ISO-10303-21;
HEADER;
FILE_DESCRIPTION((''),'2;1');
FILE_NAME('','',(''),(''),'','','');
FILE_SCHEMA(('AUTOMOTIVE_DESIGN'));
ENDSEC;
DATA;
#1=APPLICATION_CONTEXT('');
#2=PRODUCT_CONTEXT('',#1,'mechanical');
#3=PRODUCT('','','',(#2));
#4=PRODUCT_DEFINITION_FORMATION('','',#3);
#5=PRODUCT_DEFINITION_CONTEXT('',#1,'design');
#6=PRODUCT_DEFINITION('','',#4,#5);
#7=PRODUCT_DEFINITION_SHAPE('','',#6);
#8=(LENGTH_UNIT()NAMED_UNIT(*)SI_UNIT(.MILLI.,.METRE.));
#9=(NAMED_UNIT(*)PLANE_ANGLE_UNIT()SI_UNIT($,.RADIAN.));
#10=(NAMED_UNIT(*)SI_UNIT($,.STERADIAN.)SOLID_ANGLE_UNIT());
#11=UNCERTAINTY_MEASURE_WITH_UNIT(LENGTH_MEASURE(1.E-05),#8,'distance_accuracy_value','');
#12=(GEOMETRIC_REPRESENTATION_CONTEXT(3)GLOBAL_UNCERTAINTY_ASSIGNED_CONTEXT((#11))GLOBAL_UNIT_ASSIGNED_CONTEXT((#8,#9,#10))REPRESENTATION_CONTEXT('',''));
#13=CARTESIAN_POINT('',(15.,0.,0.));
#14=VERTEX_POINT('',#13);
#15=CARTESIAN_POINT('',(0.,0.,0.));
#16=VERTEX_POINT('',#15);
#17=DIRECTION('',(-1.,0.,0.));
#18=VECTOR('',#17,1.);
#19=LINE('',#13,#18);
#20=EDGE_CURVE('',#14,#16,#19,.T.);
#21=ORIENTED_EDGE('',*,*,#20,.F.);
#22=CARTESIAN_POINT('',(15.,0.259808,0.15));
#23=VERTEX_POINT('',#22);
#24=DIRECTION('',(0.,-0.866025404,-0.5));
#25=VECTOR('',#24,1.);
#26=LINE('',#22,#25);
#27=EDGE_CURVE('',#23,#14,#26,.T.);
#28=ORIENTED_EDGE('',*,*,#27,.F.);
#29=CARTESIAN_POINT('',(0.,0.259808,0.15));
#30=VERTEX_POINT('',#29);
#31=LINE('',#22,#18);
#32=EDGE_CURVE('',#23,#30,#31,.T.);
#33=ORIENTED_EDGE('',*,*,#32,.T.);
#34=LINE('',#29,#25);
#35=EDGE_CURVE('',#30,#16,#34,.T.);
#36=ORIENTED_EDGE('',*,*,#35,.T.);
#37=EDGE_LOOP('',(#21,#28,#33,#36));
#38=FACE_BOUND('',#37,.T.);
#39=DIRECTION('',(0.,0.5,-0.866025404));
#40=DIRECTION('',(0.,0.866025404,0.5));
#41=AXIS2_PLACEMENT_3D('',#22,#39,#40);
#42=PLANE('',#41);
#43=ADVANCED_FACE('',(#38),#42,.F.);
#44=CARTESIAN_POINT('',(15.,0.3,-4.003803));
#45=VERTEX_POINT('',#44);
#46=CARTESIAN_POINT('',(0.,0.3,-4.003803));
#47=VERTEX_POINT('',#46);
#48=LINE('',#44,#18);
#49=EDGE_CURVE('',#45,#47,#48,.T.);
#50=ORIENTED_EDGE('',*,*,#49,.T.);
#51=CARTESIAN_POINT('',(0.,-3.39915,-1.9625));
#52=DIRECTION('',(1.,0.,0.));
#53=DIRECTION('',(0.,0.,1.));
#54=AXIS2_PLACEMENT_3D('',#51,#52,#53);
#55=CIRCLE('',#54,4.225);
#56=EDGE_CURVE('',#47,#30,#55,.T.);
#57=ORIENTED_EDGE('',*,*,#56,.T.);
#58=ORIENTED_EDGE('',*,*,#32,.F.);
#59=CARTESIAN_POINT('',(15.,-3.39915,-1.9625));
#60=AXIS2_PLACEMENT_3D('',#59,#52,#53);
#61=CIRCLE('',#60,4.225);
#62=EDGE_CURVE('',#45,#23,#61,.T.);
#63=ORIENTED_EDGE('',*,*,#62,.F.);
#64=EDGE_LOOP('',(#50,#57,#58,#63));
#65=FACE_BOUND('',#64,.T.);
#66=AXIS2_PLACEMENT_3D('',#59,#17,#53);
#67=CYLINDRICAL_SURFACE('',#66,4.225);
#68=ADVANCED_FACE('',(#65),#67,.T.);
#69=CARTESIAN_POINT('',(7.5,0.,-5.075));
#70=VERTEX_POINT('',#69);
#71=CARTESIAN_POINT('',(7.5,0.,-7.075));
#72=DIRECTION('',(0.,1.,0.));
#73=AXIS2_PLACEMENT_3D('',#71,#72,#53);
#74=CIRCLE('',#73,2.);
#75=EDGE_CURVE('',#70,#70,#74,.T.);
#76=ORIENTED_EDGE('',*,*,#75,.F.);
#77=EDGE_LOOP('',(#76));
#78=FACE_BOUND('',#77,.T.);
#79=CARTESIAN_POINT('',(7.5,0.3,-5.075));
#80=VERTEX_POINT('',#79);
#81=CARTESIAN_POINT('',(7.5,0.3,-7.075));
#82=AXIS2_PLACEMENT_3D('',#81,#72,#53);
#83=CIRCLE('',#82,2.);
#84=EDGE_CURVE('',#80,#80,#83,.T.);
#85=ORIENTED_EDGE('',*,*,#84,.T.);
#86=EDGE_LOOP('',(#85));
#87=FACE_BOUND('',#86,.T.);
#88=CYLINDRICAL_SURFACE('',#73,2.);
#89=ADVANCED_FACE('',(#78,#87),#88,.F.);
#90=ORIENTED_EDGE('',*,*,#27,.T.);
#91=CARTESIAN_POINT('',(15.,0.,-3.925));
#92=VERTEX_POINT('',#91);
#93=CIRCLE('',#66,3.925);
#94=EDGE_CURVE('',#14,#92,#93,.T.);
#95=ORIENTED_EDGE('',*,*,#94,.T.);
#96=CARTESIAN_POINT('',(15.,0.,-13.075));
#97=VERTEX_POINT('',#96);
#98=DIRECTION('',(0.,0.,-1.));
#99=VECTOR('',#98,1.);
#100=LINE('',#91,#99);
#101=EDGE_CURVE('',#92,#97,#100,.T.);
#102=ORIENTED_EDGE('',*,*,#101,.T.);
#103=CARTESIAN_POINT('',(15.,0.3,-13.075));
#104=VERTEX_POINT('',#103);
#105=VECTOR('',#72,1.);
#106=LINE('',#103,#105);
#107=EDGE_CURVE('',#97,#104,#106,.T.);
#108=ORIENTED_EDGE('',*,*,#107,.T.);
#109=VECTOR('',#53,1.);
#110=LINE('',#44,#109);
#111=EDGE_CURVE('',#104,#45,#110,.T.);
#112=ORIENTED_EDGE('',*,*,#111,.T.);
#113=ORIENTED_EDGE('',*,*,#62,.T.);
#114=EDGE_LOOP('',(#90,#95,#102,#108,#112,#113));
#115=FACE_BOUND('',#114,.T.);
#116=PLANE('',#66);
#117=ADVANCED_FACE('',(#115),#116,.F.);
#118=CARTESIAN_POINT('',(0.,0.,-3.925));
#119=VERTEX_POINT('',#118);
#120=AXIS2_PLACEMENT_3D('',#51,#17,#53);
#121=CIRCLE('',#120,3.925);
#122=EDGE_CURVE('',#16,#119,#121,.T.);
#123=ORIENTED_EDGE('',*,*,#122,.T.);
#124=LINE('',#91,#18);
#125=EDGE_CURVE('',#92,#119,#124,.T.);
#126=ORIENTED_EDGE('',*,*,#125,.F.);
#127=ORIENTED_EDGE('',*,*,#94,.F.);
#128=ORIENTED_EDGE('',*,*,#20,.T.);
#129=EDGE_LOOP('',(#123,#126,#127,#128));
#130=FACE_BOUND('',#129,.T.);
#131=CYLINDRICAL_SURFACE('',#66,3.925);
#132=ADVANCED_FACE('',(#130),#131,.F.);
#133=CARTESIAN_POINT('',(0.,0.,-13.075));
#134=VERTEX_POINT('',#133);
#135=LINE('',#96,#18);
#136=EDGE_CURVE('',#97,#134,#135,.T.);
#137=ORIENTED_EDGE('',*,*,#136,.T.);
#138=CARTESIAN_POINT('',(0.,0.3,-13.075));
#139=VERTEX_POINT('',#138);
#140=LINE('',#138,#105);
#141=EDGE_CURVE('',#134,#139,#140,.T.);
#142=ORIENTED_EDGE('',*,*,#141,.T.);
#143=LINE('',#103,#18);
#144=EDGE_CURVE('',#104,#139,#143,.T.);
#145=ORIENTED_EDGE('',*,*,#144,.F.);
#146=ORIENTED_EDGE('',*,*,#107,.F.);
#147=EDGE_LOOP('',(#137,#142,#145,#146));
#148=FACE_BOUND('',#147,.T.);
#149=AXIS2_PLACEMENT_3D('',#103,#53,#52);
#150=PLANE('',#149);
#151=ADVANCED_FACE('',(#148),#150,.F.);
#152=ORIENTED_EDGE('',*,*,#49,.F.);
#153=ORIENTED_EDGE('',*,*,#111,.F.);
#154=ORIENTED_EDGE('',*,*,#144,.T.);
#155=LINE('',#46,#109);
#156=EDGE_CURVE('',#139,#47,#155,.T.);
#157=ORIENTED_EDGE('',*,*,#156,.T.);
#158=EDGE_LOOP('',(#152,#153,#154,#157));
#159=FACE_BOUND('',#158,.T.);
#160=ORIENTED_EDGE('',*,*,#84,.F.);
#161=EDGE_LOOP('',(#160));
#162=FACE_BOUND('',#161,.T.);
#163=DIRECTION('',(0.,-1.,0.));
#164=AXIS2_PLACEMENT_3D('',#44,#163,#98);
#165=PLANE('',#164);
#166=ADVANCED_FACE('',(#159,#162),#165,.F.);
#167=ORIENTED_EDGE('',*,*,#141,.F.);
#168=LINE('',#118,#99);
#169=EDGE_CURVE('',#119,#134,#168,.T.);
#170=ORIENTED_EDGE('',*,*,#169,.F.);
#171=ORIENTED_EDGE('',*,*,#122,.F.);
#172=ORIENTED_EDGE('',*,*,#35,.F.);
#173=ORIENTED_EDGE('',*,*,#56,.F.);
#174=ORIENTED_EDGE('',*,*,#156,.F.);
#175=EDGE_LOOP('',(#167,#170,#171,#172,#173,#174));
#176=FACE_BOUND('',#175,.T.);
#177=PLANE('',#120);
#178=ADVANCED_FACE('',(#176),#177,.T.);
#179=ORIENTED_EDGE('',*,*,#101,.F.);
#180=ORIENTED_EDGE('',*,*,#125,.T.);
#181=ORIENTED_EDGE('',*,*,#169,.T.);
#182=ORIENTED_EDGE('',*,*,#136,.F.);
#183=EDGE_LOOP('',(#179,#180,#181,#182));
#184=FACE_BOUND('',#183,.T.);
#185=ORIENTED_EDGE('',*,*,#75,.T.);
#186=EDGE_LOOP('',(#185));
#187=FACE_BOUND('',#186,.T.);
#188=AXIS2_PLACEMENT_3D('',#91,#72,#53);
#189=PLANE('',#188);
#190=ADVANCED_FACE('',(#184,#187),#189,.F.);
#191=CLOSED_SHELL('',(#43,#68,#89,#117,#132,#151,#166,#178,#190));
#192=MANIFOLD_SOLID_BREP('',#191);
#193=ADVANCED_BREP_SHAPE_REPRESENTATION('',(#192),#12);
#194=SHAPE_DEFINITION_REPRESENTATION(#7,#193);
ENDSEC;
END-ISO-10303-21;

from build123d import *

# Parameters (mm, degrees)
BOSS_EXTRUDE1_DEPTH = 15
SKETCH4_R           = 2
CUT_EXTRUDE1_DEPTH  = 1.3


with BuildPart() as part:
    # Sketch3 → Boss-Extrude1 (new body)
    with BuildSketch(Plane(origin=(0, 0, 0), x_dir=(0, 0, -1), z_dir=(1, 0, 0))):
        with BuildLine():
            Line((3.925, 0), (13.075, 0))
            Line((13.075, 0), (13.075, 0.3))
            Line((13.075, 0.3), (4.003802629, 0.3))
            ThreePointArc((4.003802629, 0.3), (1.921620626, 0.825652519), (-0.15, 0.259807621))
            Line((-0.15, 0.259807621), (0, 0))
            ThreePointArc((0, 0), (1.9625, 0.52585029), (3.925, 0))
        make_face()
    extrude(amount=BOSS_EXTRUDE1_DEPTH)

    # Sketch4 → Cut-Extrude1 (cut, through all)
    with BuildSketch(Plane(origin=(0, 0.3, 0), x_dir=(1, 0, 0), z_dir=(0, 1, 0))):
        with Locations((7.5, 7.075)):
            Circle(SKETCH4_R)
    extrude(amount=-CUT_EXTRUDE1_DEPTH, mode=Mode.SUBTRACT)


solid = part.part
